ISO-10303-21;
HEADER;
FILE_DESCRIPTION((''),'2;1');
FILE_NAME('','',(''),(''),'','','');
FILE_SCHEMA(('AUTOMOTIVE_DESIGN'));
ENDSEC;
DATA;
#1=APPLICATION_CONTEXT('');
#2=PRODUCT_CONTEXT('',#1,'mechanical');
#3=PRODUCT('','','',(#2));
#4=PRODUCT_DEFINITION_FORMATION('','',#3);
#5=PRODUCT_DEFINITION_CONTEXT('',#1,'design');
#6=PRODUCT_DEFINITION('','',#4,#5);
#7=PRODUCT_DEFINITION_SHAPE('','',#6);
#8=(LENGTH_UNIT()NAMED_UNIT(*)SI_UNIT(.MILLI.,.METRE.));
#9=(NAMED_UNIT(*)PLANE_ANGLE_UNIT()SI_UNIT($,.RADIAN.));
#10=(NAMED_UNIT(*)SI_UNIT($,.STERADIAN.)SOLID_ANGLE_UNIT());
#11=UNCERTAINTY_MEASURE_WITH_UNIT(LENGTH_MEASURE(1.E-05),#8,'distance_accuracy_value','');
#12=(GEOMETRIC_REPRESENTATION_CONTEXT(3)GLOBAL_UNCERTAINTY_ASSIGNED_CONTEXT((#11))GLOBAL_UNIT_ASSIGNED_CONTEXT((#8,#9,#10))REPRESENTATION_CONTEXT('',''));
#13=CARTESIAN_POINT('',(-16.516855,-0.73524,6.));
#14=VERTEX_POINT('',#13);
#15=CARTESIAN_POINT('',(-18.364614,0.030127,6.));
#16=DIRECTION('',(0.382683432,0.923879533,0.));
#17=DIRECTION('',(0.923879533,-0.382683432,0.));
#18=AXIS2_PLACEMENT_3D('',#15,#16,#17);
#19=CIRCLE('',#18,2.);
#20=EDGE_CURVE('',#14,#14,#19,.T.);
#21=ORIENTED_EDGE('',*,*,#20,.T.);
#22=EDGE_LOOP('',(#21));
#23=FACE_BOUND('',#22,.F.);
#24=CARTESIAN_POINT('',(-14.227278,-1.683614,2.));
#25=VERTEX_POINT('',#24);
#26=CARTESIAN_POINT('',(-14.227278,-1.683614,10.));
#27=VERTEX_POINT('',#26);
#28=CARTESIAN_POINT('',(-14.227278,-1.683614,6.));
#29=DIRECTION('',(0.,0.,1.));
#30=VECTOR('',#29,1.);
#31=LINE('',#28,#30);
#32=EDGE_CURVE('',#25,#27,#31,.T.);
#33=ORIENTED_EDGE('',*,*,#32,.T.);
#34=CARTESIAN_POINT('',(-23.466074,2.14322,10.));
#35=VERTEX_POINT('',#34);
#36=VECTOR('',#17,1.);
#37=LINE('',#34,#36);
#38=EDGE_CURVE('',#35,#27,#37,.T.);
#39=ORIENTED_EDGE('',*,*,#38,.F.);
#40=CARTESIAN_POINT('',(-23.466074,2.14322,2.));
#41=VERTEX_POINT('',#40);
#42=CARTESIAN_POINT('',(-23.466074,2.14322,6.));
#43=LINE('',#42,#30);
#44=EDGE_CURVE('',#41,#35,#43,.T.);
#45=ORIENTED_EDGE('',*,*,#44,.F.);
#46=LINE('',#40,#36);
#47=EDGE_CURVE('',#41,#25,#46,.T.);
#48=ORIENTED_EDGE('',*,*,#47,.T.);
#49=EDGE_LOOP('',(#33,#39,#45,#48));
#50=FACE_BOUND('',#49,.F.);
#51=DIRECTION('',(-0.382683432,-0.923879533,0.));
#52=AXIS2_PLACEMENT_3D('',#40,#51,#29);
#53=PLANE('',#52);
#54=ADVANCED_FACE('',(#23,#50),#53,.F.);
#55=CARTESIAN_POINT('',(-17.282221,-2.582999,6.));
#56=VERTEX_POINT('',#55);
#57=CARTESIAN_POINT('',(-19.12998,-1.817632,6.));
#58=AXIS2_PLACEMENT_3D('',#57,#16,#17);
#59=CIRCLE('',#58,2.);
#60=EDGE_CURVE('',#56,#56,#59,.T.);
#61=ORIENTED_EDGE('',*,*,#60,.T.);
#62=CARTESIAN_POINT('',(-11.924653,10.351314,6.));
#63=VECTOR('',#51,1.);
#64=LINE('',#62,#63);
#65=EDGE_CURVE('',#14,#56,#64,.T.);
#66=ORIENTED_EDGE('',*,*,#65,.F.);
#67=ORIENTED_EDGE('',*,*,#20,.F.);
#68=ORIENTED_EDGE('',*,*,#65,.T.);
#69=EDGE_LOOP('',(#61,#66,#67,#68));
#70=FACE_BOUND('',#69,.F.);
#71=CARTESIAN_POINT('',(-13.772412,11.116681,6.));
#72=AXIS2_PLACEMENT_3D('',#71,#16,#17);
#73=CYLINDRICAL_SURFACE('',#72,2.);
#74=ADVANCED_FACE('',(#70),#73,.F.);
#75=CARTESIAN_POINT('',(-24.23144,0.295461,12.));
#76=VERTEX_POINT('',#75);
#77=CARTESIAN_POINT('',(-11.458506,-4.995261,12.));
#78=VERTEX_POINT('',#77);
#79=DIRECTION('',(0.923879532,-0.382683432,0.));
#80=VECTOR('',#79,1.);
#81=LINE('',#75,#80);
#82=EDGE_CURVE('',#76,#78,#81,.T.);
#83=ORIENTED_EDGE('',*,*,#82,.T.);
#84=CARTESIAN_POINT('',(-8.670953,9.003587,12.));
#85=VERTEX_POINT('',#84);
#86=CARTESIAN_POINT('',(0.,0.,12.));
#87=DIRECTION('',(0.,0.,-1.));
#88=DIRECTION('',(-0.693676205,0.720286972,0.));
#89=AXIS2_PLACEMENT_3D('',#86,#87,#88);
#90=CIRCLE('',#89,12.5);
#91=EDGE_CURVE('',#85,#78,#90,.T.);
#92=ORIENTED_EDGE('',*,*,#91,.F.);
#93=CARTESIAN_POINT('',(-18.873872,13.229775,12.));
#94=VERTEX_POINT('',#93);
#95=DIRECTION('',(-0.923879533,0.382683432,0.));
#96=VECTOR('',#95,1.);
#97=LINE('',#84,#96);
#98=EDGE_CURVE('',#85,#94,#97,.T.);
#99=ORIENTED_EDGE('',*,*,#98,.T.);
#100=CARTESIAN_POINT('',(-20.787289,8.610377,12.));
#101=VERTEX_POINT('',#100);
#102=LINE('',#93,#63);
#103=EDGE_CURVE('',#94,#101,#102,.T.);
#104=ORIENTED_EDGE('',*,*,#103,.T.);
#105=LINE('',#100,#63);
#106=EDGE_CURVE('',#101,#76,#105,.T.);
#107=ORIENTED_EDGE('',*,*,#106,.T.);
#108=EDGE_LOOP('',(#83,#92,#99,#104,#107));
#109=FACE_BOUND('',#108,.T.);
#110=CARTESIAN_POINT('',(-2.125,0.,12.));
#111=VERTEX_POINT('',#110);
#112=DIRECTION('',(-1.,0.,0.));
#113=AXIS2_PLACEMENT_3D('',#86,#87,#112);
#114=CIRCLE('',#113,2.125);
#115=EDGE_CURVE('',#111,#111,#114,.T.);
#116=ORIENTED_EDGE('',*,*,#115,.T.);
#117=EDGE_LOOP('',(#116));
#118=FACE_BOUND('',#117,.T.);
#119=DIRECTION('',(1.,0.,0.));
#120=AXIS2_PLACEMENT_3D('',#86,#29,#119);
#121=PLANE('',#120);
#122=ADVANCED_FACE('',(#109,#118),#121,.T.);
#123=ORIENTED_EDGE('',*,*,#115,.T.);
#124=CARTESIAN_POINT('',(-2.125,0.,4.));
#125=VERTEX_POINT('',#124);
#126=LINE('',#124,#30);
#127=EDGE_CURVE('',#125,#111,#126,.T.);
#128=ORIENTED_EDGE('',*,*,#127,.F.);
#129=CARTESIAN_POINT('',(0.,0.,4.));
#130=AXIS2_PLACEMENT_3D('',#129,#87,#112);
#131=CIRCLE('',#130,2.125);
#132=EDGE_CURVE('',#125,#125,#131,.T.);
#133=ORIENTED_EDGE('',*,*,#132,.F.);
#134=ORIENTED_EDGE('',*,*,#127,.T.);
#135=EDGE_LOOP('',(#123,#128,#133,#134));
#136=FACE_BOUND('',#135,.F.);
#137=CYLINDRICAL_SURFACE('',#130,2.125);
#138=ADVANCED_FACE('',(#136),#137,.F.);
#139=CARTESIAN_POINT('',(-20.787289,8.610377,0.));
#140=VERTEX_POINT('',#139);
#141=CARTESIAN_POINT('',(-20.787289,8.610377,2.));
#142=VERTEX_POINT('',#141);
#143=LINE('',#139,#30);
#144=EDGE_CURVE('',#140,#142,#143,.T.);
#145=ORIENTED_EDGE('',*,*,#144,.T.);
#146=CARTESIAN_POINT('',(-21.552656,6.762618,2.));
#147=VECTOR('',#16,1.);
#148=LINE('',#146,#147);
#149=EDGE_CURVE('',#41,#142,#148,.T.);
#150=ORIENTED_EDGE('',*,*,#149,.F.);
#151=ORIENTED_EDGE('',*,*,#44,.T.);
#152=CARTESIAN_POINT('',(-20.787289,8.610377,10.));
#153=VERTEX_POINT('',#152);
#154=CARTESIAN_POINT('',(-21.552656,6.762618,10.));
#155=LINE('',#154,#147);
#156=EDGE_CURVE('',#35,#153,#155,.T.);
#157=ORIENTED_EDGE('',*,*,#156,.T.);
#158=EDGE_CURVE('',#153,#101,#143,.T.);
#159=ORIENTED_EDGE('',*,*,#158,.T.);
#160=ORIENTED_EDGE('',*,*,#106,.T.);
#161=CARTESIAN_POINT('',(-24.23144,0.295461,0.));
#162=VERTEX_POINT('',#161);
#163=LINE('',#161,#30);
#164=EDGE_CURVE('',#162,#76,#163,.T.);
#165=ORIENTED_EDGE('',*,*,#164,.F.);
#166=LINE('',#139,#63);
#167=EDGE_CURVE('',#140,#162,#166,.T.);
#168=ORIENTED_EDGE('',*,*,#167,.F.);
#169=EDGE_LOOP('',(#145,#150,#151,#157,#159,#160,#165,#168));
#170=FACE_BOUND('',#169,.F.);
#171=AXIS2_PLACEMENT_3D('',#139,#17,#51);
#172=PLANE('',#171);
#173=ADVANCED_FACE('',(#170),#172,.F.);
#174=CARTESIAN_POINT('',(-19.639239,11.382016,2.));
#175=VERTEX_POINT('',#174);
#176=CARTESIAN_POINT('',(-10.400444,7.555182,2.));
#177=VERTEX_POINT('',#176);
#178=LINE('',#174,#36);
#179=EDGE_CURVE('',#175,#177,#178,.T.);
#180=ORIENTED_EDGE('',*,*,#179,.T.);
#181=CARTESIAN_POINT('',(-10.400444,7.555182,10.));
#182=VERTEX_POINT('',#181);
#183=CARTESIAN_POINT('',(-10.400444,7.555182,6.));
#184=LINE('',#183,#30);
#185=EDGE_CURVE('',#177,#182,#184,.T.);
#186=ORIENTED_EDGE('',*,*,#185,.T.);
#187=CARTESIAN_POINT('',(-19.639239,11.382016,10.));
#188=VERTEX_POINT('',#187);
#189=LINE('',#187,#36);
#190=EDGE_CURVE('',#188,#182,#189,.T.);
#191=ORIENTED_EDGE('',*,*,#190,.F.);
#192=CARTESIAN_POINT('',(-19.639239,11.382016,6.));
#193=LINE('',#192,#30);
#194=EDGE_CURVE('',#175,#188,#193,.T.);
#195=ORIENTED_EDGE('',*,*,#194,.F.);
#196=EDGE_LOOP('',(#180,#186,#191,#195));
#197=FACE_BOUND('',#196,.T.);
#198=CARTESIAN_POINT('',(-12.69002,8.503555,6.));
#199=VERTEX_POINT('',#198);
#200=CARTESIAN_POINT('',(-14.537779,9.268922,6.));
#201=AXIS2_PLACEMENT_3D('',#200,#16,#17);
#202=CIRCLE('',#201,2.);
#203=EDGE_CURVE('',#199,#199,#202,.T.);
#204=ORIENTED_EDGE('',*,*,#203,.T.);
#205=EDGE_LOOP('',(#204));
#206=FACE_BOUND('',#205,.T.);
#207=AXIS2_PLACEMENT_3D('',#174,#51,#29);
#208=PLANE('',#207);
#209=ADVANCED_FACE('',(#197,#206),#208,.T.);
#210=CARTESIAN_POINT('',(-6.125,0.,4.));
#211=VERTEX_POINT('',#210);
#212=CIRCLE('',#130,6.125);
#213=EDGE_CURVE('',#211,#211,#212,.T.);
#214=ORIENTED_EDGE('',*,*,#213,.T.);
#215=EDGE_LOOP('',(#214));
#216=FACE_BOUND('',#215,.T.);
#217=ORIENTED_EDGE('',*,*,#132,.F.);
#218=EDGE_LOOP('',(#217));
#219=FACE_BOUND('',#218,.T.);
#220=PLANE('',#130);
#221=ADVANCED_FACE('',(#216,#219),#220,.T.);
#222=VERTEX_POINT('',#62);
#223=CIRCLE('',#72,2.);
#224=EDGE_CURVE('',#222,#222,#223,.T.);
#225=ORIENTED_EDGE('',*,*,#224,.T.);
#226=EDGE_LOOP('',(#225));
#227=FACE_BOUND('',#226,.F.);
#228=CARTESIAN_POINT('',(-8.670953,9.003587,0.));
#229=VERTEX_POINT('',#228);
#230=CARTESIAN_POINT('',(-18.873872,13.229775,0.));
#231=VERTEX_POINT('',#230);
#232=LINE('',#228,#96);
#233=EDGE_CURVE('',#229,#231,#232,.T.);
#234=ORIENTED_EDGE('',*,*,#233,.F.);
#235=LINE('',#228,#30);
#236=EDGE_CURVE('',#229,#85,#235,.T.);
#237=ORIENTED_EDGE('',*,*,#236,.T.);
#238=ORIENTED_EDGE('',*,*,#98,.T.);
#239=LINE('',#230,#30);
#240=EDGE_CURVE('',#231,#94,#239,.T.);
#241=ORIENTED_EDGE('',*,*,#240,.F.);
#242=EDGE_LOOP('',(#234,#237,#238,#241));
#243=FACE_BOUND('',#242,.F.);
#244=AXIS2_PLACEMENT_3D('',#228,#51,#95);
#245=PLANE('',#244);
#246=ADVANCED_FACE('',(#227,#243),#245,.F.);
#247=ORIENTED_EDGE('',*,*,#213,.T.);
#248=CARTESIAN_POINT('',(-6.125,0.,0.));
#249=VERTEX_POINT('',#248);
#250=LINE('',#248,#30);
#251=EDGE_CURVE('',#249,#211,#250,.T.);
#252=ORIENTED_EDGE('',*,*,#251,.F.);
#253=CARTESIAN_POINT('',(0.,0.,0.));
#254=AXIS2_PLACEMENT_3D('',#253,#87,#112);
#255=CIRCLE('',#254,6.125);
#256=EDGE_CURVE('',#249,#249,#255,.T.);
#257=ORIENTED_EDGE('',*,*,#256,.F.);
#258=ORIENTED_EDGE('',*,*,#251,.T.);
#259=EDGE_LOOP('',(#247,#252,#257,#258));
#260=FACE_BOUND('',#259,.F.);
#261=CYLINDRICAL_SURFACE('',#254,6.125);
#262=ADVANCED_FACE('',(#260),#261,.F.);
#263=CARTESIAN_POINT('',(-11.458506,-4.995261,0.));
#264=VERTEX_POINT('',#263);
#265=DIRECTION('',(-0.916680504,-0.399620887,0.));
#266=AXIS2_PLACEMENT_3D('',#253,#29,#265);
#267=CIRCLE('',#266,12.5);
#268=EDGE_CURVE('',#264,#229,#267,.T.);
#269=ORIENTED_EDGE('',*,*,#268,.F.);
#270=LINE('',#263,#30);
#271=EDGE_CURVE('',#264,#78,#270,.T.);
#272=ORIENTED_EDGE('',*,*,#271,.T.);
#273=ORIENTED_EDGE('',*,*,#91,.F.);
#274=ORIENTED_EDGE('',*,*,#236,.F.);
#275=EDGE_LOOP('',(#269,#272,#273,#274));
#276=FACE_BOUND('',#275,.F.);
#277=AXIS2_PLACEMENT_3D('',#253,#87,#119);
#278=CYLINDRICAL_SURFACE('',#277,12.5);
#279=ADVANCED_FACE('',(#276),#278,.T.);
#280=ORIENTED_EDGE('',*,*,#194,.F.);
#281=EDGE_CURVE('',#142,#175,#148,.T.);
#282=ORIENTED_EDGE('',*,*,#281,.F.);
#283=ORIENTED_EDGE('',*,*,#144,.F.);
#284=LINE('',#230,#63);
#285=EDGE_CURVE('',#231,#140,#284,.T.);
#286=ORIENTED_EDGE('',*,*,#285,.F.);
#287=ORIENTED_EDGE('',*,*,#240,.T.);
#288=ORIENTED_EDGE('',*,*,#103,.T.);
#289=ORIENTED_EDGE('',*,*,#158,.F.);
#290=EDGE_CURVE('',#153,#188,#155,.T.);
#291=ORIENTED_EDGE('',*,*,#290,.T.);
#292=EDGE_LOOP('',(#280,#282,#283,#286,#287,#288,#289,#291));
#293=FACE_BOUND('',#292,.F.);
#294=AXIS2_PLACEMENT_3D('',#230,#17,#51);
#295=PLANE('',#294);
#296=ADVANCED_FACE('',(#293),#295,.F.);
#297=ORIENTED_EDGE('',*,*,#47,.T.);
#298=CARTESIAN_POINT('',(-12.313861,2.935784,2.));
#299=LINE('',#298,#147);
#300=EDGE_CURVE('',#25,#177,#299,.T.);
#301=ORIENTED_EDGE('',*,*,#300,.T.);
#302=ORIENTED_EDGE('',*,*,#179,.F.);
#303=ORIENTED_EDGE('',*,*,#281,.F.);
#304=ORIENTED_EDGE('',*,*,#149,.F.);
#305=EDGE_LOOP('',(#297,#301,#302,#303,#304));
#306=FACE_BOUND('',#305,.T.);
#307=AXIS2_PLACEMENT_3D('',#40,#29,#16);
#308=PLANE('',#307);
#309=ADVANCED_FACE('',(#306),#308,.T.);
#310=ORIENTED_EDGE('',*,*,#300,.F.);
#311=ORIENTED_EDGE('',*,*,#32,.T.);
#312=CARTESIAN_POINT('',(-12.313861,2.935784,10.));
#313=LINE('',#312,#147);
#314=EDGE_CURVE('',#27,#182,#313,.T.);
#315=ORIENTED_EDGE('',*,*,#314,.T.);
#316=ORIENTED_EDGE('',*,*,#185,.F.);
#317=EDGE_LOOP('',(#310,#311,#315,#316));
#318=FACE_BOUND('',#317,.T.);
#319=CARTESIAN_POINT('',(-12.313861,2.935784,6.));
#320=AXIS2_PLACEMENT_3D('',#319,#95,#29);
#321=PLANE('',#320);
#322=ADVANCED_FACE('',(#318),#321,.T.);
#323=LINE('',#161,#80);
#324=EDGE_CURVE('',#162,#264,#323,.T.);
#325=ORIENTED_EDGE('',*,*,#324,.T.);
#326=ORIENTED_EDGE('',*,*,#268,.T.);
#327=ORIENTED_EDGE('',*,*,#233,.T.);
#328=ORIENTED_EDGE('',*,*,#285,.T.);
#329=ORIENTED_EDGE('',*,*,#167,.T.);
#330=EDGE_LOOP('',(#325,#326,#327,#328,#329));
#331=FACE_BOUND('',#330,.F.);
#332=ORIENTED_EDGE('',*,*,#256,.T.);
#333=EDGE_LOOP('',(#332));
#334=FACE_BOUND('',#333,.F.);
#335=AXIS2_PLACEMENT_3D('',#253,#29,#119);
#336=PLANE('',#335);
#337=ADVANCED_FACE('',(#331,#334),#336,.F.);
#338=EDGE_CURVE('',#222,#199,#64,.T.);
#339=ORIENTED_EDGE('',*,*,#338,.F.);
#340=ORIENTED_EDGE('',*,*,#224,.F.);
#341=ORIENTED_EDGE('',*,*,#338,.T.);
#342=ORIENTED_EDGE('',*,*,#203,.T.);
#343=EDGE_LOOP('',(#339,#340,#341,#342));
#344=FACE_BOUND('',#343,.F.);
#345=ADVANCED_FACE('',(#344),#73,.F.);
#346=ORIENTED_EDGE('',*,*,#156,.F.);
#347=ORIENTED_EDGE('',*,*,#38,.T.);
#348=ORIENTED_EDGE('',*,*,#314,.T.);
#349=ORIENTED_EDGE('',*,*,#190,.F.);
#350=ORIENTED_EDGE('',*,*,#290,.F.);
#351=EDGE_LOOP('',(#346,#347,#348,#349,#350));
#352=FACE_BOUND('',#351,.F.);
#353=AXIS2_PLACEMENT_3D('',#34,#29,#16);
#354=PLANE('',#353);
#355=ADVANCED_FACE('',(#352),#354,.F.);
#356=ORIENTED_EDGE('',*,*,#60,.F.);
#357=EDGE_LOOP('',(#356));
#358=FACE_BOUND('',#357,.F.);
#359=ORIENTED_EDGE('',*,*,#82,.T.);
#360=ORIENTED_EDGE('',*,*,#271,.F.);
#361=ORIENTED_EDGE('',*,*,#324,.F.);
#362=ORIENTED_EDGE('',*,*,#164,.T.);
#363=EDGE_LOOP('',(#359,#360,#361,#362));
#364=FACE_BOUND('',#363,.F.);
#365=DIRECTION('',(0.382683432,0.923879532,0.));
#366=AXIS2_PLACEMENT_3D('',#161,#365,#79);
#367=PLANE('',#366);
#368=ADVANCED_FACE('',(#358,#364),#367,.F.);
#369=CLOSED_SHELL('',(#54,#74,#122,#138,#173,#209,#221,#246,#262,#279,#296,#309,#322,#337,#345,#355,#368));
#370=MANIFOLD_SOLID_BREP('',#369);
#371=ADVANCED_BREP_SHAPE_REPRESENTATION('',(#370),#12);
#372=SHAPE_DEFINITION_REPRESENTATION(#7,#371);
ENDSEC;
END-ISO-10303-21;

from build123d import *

# Parameters (mm, degrees)
SKETCH1_R           = 12.5
BOSS_EXTRUDE2_DEPTH = 12
BOSS_EXTRUDE3_DEPTH = 12
SKETCH3_W           = 8
SKETCH3_H           = 10
CUT_EXTRUDE1_DEPTH  = 10
SKETCH4_R           = 2
CUT_EXTRUDE2_DEPTH  = 14
SKETCH6_R           = 6.125
CUT_EXTRUDE3_DEPTH  = 4
SKETCH7_R           = 2.125
CUT_EXTRUDE4_DEPTH  = 9


with BuildPart() as part:
    # Sketch1 → Boss-Extrude2 (new body)
    with BuildSketch(Plane.XY):
        Circle(SKETCH1_R)
    extrude(amount=BOSS_EXTRUDE2_DEPTH)

    # Sketch2 → Boss-Extrude3 (add)
    with BuildSketch(Plane.XY):
        with BuildLine():
            Line((-24.231440373, 0.295461436), (-11.458506302, -4.995261088))
            ThreePointArc((-11.458506302, -4.995261088), (-12.259311424, 2.441164357), (-8.670952565, 9.003587153))
            Line((-8.670952565, 9.003587153), (-18.87387232, 13.229774891))
            Line((-18.87387232, 13.229774891), (-20.787289482, 8.610377228))
            Line((-20.787289482, 8.610377228), (-24.231440373, 0.295461436))
        make_face()
    extrude(amount=BOSS_EXTRUDE3_DEPTH)

    # Sketch3 → Cut-Extrude1 (cut)
    with BuildSketch(Plane(origin=(-20.787289482, 8.610377228, 0), x_dir=(0, 0, 1), z_dir=(-0.923879533, 0.382683432, 0))):
        with Locations((6, -2)):
            Rectangle(SKETCH3_W, SKETCH3_H)
    extrude(amount=-CUT_EXTRUDE1_DEPTH, mode=Mode.SUBTRACT)

    # Sketch4 → Cut-Extrude2 (cut)
    with BuildSketch(Plane(origin=(1.913417162, 4.619397663, 0), x_dir=(0.923879533, -0.382683432, 0), z_dir=(0.382683432, 0.923879533, 0))):
        with Locations((-16.978219619, -6)):
            Circle(SKETCH4_R)
    extrude(amount=-CUT_EXTRUDE2_DEPTH, mode=Mode.SUBTRACT)

    # Sketch6 → Cut-Extrude3 (cut)
    with BuildSketch(Plane(origin=(0, 0, 0), x_dir=(-1, 0, 0), z_dir=(0, 0, -1))):
        Circle(SKETCH6_R)
    extrude(amount=-CUT_EXTRUDE3_DEPTH, mode=Mode.SUBTRACT)

    # Sketch7 → Cut-Extrude4 (cut, through all)
    with BuildSketch(Plane(origin=(0, 0, 4), x_dir=(-1, 0, 0), z_dir=(0, 0, -1))):
        Circle(SKETCH7_R)
    extrude(amount=-CUT_EXTRUDE4_DEPTH, mode=Mode.SUBTRACT)


solid = part.part
